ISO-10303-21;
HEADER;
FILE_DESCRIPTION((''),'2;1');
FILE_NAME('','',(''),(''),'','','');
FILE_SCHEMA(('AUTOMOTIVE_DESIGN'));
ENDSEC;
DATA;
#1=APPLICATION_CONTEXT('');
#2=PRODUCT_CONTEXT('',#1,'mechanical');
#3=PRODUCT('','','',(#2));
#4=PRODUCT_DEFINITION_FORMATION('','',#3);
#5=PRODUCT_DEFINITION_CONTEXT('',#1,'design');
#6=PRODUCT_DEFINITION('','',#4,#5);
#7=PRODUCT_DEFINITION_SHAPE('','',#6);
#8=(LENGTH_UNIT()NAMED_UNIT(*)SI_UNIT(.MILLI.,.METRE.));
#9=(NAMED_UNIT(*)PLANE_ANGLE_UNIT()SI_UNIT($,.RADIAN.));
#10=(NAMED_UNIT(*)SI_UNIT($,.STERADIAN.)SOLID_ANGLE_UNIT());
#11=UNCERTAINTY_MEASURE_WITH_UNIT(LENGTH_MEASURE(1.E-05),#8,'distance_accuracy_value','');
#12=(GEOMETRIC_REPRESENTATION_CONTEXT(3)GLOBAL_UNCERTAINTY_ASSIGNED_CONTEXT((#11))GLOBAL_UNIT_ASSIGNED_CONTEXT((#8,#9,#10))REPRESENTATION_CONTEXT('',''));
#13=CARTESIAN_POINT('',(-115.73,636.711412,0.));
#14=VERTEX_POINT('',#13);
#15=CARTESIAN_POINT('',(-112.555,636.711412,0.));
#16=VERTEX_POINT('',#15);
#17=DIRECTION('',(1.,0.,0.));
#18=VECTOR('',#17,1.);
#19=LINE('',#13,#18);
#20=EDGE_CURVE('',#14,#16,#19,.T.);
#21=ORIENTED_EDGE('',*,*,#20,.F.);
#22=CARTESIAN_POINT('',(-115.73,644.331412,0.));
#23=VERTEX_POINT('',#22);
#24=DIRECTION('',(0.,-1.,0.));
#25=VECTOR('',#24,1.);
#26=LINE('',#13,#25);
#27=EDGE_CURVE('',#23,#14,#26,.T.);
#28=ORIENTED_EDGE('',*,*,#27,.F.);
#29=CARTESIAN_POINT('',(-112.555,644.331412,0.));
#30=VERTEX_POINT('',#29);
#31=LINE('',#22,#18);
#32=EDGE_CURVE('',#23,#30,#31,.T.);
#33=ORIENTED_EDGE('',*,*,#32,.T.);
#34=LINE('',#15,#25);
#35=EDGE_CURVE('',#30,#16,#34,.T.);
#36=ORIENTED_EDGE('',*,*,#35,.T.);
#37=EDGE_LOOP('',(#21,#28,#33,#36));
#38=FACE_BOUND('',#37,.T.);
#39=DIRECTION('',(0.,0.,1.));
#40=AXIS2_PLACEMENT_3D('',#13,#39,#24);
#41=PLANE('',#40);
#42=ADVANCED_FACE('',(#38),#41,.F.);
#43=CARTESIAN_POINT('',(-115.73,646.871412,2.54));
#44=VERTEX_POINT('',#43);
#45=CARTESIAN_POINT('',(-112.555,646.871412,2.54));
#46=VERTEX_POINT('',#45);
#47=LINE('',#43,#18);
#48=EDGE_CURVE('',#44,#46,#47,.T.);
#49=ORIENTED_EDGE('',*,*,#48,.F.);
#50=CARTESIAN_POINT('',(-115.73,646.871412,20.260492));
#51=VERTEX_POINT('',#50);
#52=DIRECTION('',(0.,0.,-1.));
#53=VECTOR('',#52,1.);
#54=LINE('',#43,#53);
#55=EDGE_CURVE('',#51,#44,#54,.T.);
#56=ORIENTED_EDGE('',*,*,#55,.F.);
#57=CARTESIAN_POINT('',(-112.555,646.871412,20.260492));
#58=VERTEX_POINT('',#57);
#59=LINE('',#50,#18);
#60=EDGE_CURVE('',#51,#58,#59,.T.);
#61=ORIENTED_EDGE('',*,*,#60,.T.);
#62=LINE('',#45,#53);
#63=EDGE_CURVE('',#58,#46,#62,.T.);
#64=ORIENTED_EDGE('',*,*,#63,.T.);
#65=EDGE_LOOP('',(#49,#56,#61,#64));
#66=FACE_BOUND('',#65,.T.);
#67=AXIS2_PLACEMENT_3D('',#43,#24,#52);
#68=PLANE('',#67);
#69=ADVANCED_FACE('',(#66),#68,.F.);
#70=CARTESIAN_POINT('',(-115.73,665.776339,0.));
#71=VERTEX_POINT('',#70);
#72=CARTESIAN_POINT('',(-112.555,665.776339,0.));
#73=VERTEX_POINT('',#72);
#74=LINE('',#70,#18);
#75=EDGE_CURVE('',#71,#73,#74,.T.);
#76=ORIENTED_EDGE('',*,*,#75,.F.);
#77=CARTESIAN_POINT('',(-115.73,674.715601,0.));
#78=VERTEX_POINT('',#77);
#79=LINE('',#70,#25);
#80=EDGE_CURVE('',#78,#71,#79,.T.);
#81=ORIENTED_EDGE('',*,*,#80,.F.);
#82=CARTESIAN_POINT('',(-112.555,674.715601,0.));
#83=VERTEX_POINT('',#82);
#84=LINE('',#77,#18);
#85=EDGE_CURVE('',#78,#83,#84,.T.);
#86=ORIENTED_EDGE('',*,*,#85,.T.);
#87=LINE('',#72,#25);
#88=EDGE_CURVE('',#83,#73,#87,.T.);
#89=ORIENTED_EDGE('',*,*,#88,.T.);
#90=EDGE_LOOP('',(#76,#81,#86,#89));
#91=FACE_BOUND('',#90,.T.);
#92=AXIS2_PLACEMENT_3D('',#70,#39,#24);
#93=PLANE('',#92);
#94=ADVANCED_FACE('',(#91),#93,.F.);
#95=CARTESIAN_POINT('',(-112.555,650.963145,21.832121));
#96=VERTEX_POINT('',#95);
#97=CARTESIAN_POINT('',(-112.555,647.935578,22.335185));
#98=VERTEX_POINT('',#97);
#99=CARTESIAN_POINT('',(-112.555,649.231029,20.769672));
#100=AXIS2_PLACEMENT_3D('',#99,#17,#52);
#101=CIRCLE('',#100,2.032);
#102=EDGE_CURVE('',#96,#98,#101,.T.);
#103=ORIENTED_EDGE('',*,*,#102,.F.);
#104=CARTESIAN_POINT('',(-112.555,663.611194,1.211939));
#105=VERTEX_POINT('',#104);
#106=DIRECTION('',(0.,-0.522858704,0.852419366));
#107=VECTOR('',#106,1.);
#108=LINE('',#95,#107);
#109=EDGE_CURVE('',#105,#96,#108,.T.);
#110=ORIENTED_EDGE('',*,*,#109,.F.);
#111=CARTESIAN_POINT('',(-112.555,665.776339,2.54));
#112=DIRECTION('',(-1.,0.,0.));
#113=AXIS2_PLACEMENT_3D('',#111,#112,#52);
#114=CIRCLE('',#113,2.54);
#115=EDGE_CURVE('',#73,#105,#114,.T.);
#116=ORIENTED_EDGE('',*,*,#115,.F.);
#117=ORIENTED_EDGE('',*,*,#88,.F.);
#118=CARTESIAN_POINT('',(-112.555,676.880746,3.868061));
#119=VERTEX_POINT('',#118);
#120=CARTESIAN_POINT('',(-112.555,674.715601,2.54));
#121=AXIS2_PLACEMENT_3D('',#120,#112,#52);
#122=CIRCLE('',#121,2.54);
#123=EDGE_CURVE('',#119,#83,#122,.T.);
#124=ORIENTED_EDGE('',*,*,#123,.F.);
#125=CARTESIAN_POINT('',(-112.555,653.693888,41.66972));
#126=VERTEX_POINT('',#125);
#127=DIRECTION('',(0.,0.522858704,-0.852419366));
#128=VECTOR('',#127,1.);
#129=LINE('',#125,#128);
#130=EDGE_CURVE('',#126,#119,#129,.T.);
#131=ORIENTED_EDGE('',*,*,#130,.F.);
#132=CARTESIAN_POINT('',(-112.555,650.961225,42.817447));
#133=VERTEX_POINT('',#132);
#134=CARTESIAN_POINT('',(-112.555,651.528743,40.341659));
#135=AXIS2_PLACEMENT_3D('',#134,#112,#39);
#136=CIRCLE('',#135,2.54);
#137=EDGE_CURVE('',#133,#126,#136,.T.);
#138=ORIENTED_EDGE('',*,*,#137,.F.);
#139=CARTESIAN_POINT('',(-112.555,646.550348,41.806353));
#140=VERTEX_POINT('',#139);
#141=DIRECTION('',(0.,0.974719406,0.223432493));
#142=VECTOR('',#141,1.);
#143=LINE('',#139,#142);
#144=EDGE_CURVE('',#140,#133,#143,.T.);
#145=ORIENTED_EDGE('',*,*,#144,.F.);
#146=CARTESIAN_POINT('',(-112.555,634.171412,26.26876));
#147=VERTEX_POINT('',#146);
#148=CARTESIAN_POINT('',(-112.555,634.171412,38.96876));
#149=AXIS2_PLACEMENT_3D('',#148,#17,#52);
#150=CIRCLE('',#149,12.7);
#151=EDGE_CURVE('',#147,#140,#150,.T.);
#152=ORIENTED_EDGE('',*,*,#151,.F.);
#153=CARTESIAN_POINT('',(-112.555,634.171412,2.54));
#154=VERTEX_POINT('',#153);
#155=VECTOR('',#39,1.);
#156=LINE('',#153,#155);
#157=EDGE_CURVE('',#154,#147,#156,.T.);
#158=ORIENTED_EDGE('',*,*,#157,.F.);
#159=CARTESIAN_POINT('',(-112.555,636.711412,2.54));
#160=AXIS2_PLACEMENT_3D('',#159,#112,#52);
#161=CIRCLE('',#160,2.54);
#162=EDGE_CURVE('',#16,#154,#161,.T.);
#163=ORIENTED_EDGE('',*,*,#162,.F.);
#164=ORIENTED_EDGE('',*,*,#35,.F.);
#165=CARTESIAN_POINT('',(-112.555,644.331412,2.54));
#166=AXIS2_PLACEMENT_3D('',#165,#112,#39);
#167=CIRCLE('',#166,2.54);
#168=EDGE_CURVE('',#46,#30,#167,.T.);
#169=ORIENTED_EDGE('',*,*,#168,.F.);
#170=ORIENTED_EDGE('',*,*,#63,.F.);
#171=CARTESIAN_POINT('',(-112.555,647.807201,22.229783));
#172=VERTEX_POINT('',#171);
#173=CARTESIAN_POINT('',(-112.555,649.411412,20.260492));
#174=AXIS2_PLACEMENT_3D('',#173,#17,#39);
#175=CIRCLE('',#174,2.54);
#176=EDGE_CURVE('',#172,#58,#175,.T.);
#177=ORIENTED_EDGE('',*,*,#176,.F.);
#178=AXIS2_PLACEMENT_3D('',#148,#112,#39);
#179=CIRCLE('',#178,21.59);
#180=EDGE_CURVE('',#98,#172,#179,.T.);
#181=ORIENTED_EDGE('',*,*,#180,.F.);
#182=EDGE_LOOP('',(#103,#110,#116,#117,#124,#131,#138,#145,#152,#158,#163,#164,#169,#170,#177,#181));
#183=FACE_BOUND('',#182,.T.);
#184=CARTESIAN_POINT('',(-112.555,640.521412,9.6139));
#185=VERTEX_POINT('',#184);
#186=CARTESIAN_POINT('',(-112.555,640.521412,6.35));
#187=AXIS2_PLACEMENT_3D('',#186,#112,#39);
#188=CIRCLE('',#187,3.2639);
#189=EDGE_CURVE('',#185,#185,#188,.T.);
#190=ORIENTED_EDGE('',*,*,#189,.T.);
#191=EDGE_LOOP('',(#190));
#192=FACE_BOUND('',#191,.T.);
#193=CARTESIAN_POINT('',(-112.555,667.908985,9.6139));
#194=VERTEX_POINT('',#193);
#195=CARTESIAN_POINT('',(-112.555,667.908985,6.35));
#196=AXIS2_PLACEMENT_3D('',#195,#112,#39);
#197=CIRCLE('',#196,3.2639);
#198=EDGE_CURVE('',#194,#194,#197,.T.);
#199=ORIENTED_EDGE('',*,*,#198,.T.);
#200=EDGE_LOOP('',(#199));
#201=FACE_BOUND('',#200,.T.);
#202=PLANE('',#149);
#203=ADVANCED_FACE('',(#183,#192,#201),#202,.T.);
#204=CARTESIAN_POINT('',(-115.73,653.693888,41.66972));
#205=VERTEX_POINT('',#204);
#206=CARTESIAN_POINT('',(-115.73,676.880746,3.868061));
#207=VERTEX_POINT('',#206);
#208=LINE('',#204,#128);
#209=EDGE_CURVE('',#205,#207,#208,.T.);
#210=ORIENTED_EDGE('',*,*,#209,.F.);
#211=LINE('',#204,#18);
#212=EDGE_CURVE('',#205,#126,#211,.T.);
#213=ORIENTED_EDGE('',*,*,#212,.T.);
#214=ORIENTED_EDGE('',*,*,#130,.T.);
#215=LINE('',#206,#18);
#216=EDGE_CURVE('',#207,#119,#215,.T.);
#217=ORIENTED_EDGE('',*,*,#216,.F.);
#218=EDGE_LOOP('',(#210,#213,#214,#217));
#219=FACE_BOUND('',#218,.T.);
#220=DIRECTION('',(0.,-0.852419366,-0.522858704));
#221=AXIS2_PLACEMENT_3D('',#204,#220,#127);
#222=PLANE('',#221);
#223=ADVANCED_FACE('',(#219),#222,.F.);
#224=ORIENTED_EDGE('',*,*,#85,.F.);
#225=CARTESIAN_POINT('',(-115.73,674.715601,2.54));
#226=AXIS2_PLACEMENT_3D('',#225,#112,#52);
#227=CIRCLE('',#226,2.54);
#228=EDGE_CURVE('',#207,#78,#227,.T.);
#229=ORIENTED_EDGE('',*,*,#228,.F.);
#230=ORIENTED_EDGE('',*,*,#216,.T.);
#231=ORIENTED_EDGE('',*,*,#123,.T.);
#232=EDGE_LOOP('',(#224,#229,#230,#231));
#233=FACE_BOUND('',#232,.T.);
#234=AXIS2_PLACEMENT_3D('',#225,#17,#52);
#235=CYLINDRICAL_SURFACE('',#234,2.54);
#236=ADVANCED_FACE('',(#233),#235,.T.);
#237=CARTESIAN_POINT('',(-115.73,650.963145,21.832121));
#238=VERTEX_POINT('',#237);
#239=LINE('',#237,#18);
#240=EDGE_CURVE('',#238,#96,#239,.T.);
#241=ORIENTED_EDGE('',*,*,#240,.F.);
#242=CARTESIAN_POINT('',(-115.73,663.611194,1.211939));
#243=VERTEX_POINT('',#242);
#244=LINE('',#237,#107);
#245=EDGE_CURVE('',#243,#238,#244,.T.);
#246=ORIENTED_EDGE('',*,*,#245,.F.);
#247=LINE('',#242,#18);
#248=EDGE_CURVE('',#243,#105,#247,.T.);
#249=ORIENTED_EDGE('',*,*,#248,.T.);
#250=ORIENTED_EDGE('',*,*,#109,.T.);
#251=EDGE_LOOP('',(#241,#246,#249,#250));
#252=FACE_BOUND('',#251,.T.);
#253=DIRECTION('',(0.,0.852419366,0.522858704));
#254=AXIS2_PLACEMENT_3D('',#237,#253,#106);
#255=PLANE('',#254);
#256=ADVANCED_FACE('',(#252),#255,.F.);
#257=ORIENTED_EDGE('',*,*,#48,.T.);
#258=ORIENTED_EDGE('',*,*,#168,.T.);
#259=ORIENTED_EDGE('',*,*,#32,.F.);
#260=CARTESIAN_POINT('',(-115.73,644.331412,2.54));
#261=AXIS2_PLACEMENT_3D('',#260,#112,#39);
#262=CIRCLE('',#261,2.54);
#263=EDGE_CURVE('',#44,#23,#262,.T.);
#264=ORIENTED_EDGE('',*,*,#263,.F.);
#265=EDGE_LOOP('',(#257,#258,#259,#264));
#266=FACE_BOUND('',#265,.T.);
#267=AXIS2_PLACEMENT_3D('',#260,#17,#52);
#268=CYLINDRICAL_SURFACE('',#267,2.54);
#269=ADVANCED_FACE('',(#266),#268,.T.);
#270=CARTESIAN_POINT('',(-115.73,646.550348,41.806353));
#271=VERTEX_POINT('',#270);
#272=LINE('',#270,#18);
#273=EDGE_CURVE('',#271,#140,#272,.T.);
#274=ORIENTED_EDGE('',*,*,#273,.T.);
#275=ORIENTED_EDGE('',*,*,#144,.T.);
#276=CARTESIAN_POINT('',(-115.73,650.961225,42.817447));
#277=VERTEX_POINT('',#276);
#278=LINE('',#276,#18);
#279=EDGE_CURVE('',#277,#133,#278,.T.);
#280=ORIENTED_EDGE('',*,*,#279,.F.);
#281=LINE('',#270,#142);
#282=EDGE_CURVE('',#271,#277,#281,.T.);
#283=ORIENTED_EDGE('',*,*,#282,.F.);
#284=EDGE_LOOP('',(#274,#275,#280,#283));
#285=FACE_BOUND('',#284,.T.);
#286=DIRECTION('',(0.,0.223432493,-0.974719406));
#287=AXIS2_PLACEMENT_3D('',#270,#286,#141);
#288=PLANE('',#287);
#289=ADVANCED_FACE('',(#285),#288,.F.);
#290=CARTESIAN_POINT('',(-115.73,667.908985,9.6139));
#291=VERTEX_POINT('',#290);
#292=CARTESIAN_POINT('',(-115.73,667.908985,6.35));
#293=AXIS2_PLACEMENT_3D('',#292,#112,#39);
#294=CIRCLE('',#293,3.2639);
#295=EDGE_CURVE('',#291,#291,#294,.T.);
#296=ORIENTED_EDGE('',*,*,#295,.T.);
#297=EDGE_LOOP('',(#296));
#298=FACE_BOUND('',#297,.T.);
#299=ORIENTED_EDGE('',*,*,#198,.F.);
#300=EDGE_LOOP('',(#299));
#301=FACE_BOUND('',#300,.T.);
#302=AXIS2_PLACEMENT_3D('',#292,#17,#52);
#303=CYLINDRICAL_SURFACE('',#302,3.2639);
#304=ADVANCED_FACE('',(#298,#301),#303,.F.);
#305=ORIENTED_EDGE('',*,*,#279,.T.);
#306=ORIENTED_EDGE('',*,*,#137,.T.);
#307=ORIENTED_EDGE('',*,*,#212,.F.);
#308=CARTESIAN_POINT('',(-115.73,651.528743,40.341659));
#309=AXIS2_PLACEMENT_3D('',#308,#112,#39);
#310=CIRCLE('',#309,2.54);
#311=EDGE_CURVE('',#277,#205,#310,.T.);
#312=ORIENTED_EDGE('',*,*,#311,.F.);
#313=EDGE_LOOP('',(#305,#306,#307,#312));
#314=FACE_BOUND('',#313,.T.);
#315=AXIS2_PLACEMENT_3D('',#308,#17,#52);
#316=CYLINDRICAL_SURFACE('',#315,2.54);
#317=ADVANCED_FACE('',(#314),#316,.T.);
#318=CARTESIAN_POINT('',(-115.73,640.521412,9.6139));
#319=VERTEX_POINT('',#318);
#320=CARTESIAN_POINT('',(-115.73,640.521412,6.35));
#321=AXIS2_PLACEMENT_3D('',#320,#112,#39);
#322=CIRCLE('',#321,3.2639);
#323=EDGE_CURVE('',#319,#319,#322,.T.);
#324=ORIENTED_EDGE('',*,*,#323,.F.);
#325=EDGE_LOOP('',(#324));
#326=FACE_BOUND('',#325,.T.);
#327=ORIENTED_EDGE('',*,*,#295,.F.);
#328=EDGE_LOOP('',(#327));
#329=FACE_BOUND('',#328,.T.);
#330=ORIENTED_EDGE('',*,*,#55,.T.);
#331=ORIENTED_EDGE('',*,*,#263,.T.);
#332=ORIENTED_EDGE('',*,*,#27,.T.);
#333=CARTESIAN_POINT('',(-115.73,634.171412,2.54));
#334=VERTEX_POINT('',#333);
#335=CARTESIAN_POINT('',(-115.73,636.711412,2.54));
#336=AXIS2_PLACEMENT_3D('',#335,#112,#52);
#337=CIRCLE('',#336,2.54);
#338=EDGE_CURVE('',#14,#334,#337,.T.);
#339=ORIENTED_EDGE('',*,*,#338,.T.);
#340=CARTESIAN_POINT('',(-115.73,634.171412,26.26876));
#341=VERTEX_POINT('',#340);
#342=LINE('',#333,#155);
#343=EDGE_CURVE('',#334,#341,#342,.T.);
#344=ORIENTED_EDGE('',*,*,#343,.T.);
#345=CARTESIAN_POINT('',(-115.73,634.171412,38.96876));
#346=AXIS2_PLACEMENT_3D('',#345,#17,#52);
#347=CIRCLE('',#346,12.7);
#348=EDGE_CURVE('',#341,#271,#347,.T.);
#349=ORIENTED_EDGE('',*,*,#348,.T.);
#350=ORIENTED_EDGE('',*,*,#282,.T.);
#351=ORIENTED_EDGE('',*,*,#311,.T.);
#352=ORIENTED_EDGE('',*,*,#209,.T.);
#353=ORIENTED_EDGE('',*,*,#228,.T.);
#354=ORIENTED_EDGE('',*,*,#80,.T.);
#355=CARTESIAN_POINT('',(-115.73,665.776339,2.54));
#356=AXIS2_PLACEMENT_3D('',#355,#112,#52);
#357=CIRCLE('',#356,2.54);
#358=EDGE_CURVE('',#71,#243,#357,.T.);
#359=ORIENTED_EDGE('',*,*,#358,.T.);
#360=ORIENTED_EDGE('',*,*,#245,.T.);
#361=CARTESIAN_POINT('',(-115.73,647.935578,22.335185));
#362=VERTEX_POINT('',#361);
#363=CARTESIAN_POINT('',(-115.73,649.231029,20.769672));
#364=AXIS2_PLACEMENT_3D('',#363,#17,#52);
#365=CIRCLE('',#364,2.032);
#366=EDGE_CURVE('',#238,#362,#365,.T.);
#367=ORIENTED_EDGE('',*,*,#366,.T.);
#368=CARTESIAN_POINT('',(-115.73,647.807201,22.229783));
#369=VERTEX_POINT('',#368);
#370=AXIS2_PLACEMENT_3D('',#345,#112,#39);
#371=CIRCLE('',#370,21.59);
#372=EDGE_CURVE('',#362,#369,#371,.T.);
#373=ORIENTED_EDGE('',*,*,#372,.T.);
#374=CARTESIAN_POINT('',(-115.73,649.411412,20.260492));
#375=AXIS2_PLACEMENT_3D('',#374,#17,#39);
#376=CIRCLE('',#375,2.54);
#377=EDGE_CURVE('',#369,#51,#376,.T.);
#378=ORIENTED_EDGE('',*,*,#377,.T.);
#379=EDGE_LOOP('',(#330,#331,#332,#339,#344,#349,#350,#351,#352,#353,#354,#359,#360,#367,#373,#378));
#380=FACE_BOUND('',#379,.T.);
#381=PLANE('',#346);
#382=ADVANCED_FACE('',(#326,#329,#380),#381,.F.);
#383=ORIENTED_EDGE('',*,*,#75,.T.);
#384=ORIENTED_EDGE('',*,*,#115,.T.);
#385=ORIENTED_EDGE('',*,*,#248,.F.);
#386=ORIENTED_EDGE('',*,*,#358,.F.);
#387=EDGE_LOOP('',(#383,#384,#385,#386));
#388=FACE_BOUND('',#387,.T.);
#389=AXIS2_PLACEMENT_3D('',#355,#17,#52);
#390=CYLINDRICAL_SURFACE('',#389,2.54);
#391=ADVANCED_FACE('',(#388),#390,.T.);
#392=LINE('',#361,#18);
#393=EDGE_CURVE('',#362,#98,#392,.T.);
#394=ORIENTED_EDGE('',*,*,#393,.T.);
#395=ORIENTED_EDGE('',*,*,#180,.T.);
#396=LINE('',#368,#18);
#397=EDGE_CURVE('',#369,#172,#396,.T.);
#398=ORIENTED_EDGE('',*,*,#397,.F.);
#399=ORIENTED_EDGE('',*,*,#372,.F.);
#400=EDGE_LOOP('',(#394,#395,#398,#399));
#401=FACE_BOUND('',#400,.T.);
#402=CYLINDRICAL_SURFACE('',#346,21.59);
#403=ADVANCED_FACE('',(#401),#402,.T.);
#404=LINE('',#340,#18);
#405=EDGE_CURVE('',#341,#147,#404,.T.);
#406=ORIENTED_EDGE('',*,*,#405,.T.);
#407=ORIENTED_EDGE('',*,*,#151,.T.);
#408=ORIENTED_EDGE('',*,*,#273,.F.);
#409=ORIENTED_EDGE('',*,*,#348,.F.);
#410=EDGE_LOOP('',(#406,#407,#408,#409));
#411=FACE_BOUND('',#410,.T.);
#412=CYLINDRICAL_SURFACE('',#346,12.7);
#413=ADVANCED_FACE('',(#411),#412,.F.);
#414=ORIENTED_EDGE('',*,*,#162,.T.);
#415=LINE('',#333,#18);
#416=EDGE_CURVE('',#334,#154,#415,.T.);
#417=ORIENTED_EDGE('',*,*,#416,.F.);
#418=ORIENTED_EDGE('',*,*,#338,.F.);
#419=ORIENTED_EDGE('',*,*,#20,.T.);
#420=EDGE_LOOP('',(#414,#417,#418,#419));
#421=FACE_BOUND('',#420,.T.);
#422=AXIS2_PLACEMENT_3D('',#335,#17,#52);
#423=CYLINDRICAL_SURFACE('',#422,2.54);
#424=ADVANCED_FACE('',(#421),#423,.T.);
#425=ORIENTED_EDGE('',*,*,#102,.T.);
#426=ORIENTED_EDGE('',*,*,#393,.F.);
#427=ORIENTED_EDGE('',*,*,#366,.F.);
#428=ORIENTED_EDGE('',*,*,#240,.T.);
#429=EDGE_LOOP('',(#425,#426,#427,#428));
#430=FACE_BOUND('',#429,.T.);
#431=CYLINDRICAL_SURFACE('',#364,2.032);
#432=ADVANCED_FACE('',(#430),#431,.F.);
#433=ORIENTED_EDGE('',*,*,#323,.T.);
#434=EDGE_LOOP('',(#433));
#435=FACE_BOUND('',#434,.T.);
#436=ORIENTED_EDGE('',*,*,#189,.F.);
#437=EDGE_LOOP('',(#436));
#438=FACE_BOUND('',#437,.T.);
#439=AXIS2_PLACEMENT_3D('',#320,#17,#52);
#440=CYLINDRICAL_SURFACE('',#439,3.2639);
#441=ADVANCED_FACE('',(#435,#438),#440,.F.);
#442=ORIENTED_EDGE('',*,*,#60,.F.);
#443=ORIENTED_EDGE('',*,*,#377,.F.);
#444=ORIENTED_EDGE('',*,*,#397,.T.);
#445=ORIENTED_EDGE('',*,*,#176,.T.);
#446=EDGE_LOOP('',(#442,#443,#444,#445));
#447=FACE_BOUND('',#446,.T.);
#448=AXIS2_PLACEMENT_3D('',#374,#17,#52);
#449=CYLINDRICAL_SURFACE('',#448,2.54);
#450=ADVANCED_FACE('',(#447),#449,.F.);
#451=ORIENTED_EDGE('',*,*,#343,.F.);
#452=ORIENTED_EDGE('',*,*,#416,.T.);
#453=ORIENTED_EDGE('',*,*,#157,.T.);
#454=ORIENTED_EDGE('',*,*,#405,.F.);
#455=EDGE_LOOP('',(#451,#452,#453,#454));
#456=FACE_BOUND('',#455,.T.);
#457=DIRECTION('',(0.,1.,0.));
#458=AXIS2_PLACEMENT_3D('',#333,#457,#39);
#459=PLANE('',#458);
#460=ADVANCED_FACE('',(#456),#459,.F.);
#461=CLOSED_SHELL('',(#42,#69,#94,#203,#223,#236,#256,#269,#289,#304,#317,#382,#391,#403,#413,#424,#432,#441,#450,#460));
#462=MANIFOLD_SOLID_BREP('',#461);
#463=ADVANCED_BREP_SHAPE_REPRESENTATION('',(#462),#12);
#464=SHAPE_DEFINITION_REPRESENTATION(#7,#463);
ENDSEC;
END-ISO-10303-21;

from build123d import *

# Parameters (mm, degrees)
SKETCH2_R           = 3.2639
BOSS_EXTRUDE1_DEPTH = 3.175


with BuildPart() as part:
    # Sketch2 → Boss-Extrude1 (new body)
    with BuildSketch(Plane(origin=(-112.555, 0, -573.58969557), x_dir=(0, 0.6231241879767124, 0.7821229100073485), z_dir=(-1, 0, 0))):
        with BuildLine():
            ThreePointArc((845.36792337, 140.568969032), (844.830619791, 138.700663745), (845.771780124, 136.999641403))
            Line((845.771780124, 136.999641403), (864.330586832, 122.213677187))
            ThreePointArc((864.330586832, 122.213677187), (874.263547789, 127), (884.196508746, 122.213677187))
            Line((884.196508746, 122.213677187), (887.735832346, 125.033487368))
            ThreePointArc((887.735832346, 125.033487368), (888.597587529, 126.330104481), (888.540958266, 127.885942216))
            Line((888.540958266, 127.885942216), (873.423706379, 169.576043207))
            ThreePointArc((873.423706379, 169.576043207), (871.446613669, 171.216745754), (869.04925283, 170.292915988))
            Line((869.04925283, 170.292915988), (863.47898249, 163.301314423))
            ThreePointArc((863.47898249, 163.301314423), (862.959009478, 162.129347633), (863.077713324, 160.852716328))
            Line((863.077713324, 160.852716328), (871.323924882, 138.111453883))
            ThreePointArc((871.323924882, 138.111453883), (871.188959814, 136.430204891), (869.830832527, 135.430052896))
            ThreePointArc((869.830832527, 135.430052896), (869.749583246, 135.412845003), (869.668400761, 135.39532469))
            ThreePointArc((869.668400761, 135.39532469), (868.550892206, 135.403510223), (867.545059791, 135.890535404))
            Line((867.545059791, 135.890535404), (853.685457311, 146.932602361))
            ThreePointArc((853.685457311, 146.932602361), (851.817152024, 147.46990594), (850.116129682, 146.528745607))
            Line((850.116129682, 146.528745607), (845.36792337, 140.568969032))
        make_face()
        with Locations((852.708507005, 139.592018726)):
            Circle(SKETCH2_R, mode=Mode.SUBTRACT)
        with Locations((869.774365973, 161.012466745)):
            Circle(SKETCH2_R, mode=Mode.SUBTRACT)
    extrude(amount=BOSS_EXTRUDE1_DEPTH)


solid = part.part
